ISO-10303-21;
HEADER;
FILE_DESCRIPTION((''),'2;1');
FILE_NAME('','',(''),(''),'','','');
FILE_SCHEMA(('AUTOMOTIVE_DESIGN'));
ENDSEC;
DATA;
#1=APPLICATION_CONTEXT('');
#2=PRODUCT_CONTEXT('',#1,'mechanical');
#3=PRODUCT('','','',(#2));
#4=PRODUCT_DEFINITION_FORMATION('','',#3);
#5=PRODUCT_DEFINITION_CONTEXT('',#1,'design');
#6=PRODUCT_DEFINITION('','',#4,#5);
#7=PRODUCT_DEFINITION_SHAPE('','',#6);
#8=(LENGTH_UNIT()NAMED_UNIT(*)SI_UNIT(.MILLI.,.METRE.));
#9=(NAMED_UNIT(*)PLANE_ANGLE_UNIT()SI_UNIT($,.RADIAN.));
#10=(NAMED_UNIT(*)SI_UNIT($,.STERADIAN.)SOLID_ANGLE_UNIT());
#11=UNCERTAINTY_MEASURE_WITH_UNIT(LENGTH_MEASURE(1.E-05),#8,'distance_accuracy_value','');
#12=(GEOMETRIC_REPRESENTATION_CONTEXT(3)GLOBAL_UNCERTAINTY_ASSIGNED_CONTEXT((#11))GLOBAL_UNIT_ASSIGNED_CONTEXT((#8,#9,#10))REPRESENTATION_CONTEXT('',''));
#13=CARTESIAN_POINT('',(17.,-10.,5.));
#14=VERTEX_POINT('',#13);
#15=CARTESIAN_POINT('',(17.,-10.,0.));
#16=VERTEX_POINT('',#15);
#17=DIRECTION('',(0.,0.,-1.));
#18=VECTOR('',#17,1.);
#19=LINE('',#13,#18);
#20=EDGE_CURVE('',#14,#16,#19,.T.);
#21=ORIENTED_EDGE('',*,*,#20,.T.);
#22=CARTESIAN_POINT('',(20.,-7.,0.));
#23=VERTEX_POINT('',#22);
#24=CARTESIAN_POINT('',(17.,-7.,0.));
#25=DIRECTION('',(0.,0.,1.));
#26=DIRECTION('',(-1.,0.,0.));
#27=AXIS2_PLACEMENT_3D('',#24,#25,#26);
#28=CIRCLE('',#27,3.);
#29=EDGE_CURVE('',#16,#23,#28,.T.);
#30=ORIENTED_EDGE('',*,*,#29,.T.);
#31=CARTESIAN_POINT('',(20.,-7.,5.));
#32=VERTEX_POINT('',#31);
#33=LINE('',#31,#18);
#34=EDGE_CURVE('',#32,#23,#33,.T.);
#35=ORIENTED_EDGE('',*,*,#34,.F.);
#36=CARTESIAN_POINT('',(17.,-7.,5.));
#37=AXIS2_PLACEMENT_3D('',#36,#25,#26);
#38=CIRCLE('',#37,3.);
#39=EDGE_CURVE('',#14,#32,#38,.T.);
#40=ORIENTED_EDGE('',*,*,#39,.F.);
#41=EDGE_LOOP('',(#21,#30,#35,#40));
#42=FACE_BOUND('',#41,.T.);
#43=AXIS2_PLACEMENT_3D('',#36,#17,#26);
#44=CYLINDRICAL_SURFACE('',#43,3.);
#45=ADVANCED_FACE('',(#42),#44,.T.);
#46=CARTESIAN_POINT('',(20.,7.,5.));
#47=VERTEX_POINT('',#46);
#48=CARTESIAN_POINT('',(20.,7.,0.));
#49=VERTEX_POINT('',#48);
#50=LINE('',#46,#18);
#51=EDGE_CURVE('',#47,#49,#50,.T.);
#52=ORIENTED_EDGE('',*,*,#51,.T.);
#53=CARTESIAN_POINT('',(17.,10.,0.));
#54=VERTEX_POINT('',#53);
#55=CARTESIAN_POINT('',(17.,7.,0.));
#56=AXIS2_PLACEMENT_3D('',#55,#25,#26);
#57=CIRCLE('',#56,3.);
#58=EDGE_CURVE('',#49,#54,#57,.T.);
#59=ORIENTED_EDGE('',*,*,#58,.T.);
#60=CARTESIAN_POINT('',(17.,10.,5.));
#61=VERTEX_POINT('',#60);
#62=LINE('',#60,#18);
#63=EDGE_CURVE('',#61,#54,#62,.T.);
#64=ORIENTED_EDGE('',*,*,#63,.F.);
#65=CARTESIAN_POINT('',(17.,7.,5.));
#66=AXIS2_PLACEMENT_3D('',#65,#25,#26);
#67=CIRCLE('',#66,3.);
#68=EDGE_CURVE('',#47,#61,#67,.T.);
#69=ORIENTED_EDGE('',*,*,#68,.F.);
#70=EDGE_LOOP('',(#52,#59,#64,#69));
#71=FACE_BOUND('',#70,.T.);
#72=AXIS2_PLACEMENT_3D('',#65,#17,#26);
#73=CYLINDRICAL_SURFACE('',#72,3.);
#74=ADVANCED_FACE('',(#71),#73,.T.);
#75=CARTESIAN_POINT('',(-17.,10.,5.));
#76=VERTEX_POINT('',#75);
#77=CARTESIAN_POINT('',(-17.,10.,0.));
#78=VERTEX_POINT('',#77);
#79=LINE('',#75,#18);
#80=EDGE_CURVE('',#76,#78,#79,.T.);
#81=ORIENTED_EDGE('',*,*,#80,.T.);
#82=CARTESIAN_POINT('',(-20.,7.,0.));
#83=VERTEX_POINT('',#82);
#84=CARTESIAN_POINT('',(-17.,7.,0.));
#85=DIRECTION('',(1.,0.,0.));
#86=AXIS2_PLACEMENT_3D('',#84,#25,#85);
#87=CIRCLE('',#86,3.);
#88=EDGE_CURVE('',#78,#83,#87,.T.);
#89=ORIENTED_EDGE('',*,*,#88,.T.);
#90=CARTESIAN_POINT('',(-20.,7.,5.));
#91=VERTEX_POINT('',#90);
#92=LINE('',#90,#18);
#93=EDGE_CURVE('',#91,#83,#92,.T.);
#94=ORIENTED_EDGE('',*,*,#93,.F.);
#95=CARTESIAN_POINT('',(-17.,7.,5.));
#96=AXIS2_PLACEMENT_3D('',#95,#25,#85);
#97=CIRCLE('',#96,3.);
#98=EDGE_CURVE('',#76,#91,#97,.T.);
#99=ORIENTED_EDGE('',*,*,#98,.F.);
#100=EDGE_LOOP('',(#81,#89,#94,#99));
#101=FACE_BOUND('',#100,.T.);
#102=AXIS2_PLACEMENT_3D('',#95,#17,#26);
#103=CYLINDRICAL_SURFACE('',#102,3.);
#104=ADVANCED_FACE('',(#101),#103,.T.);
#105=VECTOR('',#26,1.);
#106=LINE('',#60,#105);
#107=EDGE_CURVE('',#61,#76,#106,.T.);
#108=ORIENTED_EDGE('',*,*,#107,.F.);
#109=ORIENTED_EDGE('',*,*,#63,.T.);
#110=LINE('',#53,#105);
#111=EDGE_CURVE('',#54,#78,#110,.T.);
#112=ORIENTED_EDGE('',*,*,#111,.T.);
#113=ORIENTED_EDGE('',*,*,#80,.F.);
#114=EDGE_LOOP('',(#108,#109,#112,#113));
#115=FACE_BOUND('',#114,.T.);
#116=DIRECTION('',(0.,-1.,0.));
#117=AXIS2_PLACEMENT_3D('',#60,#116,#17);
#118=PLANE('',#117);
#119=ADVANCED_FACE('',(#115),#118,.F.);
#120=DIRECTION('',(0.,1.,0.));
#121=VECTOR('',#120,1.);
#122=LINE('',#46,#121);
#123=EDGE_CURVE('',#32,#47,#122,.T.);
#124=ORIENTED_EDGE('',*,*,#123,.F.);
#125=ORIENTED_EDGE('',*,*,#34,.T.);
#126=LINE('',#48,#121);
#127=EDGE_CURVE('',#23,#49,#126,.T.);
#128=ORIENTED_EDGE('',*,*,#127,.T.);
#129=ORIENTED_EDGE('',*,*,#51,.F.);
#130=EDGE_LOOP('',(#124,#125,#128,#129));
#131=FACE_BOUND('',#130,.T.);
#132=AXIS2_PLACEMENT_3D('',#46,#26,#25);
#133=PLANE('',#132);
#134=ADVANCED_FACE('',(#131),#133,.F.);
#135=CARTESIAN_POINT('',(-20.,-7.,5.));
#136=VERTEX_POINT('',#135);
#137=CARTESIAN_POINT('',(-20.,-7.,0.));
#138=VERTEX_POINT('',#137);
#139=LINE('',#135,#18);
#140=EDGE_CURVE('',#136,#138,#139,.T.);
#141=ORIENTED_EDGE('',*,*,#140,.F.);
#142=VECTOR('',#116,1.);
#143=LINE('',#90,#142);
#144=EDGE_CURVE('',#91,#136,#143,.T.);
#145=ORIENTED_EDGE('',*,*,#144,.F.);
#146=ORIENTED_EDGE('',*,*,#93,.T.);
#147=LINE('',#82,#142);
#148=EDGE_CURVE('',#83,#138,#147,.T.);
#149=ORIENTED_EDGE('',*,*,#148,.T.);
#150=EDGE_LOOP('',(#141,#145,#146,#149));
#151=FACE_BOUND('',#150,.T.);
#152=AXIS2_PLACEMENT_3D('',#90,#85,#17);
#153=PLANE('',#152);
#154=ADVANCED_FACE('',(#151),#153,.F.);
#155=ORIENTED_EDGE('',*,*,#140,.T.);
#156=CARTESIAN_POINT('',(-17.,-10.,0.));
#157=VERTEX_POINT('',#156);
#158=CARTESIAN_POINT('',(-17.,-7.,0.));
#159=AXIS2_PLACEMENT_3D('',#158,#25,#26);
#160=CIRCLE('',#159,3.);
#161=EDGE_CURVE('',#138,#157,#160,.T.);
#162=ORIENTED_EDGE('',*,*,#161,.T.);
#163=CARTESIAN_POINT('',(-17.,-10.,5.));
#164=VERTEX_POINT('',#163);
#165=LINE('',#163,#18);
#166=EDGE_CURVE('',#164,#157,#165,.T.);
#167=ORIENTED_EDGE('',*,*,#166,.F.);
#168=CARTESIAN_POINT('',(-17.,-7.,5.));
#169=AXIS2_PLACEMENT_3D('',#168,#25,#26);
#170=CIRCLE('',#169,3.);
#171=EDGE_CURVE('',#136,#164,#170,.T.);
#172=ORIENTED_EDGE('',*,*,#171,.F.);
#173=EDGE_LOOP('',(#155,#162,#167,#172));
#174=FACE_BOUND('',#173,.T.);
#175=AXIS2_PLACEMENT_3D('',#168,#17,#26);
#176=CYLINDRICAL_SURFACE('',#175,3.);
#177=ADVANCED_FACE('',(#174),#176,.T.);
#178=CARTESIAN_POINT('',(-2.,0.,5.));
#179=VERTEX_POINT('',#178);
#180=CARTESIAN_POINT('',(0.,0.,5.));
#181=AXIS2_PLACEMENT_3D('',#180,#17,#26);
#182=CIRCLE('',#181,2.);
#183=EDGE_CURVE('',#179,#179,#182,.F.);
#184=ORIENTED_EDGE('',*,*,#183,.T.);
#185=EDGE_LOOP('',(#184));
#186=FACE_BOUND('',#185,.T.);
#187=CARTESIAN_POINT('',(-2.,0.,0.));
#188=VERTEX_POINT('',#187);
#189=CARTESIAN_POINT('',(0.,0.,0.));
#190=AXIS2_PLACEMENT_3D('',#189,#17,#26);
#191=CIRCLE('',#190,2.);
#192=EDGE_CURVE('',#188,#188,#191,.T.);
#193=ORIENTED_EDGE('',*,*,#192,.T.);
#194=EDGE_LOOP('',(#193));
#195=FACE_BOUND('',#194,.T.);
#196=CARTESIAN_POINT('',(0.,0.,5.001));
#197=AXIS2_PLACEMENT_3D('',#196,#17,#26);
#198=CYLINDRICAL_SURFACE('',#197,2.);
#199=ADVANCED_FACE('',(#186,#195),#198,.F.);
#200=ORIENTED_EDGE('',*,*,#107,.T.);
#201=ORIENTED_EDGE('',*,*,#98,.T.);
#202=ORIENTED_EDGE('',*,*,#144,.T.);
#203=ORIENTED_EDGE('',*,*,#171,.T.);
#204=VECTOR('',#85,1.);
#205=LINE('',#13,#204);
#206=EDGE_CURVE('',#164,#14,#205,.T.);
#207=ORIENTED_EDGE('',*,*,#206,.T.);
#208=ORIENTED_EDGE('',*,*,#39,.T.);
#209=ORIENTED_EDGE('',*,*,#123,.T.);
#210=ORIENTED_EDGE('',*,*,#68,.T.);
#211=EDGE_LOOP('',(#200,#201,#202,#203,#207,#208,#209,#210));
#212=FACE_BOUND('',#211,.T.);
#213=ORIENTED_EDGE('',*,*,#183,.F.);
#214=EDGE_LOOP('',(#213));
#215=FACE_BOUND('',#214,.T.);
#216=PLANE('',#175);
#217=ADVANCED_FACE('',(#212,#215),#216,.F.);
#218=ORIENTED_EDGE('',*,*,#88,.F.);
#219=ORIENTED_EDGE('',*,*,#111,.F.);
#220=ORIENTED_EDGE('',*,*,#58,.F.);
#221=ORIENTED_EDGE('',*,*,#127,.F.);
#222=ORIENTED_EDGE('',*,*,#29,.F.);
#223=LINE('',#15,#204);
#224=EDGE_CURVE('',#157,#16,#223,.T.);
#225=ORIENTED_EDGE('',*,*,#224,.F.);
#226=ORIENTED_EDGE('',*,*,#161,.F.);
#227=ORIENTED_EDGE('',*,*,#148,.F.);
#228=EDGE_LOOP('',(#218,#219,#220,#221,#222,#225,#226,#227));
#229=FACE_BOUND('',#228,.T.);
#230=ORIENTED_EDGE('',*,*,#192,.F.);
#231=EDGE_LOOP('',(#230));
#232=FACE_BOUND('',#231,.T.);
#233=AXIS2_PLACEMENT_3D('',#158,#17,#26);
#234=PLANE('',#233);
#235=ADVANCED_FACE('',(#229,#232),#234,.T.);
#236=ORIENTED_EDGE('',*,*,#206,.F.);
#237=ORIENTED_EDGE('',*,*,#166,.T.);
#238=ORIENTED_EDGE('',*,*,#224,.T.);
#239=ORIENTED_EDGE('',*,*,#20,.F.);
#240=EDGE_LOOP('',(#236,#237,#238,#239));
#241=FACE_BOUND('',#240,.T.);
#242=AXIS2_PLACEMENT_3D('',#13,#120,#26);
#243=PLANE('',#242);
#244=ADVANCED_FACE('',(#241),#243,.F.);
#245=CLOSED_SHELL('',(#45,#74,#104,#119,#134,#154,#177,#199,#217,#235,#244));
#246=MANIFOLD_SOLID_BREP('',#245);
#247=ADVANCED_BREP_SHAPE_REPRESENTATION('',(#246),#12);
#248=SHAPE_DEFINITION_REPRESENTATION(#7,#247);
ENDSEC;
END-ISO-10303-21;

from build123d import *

# Parameters (mm, degrees)
BOSS_EXTRUDE1_DEPTH = 5
CUT_EXTRUDE1_REACH  = 24.913
SKETCH2_R           = 2


with BuildPart() as part:
    # Sketch1 → Boss-Extrude1 (new body)
    with BuildSketch(Plane.XY):
        with BuildLine():
            Line((17, 10), (-17, 10))
            ThreePointArc((-17, 10), (-19.121320344, 9.121320344), (-20, 7))
            Line((-20, 7), (-20, -7))
            ThreePointArc((-20, -7), (-19.121320344, -9.121320344), (-17, -10))
            Line((-17, -10), (17, -10))
            ThreePointArc((17, -10), (19.121320344, -9.121320344), (20, -7))
            Line((20, -7), (20, 7))
            ThreePointArc((20, 7), (19.121320344, 9.121320344), (17, 10))
        make_face()
    extrude(amount=BOSS_EXTRUDE1_DEPTH)

    # Sketch2 → Cut-Extrude1 (cut, up to next)
    with BuildSketch(Plane(origin=(0, 0, 0), x_dir=(-1, 0, 0), z_dir=(0, 0, -1)), mode=Mode.PRIVATE) as cut_extrude1_sk1:
        Circle(SKETCH2_R)
    cut_extrude1_tool1 = extrude(cut_extrude1_sk1.sketch, amount=-CUT_EXTRUDE1_REACH, mode=Mode.PRIVATE) & part.part
    add(cut_extrude1_tool1.solids().sort_by_distance((0, 0, 0))[0], mode=Mode.SUBTRACT)


solid = part.part
